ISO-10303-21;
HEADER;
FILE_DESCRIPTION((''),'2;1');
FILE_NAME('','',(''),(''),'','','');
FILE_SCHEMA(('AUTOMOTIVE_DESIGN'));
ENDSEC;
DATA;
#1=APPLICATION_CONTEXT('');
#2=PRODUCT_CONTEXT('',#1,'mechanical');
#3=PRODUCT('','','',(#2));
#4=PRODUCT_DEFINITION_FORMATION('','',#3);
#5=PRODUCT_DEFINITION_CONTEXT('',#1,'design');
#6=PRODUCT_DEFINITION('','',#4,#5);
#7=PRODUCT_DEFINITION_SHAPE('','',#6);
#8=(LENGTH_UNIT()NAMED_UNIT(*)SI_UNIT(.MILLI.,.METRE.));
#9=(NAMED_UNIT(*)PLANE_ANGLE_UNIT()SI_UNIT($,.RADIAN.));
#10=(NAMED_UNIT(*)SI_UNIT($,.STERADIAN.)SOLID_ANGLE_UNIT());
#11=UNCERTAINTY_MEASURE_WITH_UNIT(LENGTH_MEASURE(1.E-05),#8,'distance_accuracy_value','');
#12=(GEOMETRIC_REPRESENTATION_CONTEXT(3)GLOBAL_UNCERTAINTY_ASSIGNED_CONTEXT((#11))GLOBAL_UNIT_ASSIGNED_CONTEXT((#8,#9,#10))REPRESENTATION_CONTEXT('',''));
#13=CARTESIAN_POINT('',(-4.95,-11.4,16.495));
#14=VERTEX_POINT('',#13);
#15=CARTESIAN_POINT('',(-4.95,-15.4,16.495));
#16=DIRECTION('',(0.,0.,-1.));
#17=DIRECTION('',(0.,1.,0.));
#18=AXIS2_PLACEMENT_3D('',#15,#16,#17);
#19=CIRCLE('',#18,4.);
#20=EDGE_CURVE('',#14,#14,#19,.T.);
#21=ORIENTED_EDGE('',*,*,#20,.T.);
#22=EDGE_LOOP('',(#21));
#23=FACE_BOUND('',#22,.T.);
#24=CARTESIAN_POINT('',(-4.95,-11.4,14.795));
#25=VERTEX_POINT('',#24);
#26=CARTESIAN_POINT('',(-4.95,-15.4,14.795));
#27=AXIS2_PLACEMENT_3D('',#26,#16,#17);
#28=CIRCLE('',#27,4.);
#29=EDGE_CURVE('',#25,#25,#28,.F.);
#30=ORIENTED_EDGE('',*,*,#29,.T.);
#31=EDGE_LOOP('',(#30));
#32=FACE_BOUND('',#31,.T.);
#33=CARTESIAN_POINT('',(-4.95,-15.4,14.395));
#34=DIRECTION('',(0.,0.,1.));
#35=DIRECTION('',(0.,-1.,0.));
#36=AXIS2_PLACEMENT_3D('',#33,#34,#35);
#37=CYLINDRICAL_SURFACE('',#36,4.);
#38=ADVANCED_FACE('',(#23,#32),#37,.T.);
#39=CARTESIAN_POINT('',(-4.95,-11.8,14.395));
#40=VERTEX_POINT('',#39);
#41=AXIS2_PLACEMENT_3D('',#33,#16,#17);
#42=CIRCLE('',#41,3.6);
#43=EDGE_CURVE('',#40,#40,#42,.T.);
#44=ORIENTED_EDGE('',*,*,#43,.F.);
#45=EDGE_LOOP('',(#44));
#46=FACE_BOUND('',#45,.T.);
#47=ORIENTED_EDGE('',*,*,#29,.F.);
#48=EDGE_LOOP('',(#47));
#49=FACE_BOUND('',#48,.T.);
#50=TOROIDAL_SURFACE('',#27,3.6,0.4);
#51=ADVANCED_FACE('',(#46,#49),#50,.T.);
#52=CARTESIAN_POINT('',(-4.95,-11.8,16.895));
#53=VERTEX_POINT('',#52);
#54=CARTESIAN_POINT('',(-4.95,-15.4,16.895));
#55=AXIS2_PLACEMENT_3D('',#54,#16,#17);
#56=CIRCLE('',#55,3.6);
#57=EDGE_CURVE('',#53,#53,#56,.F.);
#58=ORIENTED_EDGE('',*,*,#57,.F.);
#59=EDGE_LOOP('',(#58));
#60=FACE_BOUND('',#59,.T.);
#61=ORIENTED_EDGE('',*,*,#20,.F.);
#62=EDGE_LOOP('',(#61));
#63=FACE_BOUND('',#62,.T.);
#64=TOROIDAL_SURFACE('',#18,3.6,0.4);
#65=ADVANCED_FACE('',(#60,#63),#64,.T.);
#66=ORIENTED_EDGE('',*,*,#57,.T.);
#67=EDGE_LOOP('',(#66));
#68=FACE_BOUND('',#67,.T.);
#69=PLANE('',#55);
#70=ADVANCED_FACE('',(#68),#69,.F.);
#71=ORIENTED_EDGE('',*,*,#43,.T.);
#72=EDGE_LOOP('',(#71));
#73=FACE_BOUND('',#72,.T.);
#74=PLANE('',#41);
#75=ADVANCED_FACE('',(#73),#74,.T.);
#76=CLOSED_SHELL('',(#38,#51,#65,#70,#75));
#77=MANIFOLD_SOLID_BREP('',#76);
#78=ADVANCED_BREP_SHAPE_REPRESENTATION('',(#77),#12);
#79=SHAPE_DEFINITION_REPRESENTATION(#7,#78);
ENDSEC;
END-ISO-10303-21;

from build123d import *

# Parameters (mm, degrees)
SKETCH1_R           = 4
BOSS_EXTRUDE1_DEPTH = 2.5
FILLET1_R           = 0.4


with BuildPart() as part:
    # Sketch1 → Boss-Extrude1 (new body)
    with BuildSketch(Plane(origin=(0, 0, 16.895), x_dir=(-1, 0, 0), z_dir=(0, 0, -1))):
        with Locations(Location((4.95, -15.400000468, 0), (0, 0, 90))):
            Circle(SKETCH1_R)
    extrude(amount=BOSS_EXTRUDE1_DEPTH)

    # Fillet1
    fillet1_edges = [part.edges().sort_by_distance(p)[0] for p in [
        (-4.95, -19.400000468, 16.895),
        (-4.95, -19.400000468, 14.395),
    ]]
    fillet(fillet1_edges, radius=FILLET1_R)


solid = part.part
